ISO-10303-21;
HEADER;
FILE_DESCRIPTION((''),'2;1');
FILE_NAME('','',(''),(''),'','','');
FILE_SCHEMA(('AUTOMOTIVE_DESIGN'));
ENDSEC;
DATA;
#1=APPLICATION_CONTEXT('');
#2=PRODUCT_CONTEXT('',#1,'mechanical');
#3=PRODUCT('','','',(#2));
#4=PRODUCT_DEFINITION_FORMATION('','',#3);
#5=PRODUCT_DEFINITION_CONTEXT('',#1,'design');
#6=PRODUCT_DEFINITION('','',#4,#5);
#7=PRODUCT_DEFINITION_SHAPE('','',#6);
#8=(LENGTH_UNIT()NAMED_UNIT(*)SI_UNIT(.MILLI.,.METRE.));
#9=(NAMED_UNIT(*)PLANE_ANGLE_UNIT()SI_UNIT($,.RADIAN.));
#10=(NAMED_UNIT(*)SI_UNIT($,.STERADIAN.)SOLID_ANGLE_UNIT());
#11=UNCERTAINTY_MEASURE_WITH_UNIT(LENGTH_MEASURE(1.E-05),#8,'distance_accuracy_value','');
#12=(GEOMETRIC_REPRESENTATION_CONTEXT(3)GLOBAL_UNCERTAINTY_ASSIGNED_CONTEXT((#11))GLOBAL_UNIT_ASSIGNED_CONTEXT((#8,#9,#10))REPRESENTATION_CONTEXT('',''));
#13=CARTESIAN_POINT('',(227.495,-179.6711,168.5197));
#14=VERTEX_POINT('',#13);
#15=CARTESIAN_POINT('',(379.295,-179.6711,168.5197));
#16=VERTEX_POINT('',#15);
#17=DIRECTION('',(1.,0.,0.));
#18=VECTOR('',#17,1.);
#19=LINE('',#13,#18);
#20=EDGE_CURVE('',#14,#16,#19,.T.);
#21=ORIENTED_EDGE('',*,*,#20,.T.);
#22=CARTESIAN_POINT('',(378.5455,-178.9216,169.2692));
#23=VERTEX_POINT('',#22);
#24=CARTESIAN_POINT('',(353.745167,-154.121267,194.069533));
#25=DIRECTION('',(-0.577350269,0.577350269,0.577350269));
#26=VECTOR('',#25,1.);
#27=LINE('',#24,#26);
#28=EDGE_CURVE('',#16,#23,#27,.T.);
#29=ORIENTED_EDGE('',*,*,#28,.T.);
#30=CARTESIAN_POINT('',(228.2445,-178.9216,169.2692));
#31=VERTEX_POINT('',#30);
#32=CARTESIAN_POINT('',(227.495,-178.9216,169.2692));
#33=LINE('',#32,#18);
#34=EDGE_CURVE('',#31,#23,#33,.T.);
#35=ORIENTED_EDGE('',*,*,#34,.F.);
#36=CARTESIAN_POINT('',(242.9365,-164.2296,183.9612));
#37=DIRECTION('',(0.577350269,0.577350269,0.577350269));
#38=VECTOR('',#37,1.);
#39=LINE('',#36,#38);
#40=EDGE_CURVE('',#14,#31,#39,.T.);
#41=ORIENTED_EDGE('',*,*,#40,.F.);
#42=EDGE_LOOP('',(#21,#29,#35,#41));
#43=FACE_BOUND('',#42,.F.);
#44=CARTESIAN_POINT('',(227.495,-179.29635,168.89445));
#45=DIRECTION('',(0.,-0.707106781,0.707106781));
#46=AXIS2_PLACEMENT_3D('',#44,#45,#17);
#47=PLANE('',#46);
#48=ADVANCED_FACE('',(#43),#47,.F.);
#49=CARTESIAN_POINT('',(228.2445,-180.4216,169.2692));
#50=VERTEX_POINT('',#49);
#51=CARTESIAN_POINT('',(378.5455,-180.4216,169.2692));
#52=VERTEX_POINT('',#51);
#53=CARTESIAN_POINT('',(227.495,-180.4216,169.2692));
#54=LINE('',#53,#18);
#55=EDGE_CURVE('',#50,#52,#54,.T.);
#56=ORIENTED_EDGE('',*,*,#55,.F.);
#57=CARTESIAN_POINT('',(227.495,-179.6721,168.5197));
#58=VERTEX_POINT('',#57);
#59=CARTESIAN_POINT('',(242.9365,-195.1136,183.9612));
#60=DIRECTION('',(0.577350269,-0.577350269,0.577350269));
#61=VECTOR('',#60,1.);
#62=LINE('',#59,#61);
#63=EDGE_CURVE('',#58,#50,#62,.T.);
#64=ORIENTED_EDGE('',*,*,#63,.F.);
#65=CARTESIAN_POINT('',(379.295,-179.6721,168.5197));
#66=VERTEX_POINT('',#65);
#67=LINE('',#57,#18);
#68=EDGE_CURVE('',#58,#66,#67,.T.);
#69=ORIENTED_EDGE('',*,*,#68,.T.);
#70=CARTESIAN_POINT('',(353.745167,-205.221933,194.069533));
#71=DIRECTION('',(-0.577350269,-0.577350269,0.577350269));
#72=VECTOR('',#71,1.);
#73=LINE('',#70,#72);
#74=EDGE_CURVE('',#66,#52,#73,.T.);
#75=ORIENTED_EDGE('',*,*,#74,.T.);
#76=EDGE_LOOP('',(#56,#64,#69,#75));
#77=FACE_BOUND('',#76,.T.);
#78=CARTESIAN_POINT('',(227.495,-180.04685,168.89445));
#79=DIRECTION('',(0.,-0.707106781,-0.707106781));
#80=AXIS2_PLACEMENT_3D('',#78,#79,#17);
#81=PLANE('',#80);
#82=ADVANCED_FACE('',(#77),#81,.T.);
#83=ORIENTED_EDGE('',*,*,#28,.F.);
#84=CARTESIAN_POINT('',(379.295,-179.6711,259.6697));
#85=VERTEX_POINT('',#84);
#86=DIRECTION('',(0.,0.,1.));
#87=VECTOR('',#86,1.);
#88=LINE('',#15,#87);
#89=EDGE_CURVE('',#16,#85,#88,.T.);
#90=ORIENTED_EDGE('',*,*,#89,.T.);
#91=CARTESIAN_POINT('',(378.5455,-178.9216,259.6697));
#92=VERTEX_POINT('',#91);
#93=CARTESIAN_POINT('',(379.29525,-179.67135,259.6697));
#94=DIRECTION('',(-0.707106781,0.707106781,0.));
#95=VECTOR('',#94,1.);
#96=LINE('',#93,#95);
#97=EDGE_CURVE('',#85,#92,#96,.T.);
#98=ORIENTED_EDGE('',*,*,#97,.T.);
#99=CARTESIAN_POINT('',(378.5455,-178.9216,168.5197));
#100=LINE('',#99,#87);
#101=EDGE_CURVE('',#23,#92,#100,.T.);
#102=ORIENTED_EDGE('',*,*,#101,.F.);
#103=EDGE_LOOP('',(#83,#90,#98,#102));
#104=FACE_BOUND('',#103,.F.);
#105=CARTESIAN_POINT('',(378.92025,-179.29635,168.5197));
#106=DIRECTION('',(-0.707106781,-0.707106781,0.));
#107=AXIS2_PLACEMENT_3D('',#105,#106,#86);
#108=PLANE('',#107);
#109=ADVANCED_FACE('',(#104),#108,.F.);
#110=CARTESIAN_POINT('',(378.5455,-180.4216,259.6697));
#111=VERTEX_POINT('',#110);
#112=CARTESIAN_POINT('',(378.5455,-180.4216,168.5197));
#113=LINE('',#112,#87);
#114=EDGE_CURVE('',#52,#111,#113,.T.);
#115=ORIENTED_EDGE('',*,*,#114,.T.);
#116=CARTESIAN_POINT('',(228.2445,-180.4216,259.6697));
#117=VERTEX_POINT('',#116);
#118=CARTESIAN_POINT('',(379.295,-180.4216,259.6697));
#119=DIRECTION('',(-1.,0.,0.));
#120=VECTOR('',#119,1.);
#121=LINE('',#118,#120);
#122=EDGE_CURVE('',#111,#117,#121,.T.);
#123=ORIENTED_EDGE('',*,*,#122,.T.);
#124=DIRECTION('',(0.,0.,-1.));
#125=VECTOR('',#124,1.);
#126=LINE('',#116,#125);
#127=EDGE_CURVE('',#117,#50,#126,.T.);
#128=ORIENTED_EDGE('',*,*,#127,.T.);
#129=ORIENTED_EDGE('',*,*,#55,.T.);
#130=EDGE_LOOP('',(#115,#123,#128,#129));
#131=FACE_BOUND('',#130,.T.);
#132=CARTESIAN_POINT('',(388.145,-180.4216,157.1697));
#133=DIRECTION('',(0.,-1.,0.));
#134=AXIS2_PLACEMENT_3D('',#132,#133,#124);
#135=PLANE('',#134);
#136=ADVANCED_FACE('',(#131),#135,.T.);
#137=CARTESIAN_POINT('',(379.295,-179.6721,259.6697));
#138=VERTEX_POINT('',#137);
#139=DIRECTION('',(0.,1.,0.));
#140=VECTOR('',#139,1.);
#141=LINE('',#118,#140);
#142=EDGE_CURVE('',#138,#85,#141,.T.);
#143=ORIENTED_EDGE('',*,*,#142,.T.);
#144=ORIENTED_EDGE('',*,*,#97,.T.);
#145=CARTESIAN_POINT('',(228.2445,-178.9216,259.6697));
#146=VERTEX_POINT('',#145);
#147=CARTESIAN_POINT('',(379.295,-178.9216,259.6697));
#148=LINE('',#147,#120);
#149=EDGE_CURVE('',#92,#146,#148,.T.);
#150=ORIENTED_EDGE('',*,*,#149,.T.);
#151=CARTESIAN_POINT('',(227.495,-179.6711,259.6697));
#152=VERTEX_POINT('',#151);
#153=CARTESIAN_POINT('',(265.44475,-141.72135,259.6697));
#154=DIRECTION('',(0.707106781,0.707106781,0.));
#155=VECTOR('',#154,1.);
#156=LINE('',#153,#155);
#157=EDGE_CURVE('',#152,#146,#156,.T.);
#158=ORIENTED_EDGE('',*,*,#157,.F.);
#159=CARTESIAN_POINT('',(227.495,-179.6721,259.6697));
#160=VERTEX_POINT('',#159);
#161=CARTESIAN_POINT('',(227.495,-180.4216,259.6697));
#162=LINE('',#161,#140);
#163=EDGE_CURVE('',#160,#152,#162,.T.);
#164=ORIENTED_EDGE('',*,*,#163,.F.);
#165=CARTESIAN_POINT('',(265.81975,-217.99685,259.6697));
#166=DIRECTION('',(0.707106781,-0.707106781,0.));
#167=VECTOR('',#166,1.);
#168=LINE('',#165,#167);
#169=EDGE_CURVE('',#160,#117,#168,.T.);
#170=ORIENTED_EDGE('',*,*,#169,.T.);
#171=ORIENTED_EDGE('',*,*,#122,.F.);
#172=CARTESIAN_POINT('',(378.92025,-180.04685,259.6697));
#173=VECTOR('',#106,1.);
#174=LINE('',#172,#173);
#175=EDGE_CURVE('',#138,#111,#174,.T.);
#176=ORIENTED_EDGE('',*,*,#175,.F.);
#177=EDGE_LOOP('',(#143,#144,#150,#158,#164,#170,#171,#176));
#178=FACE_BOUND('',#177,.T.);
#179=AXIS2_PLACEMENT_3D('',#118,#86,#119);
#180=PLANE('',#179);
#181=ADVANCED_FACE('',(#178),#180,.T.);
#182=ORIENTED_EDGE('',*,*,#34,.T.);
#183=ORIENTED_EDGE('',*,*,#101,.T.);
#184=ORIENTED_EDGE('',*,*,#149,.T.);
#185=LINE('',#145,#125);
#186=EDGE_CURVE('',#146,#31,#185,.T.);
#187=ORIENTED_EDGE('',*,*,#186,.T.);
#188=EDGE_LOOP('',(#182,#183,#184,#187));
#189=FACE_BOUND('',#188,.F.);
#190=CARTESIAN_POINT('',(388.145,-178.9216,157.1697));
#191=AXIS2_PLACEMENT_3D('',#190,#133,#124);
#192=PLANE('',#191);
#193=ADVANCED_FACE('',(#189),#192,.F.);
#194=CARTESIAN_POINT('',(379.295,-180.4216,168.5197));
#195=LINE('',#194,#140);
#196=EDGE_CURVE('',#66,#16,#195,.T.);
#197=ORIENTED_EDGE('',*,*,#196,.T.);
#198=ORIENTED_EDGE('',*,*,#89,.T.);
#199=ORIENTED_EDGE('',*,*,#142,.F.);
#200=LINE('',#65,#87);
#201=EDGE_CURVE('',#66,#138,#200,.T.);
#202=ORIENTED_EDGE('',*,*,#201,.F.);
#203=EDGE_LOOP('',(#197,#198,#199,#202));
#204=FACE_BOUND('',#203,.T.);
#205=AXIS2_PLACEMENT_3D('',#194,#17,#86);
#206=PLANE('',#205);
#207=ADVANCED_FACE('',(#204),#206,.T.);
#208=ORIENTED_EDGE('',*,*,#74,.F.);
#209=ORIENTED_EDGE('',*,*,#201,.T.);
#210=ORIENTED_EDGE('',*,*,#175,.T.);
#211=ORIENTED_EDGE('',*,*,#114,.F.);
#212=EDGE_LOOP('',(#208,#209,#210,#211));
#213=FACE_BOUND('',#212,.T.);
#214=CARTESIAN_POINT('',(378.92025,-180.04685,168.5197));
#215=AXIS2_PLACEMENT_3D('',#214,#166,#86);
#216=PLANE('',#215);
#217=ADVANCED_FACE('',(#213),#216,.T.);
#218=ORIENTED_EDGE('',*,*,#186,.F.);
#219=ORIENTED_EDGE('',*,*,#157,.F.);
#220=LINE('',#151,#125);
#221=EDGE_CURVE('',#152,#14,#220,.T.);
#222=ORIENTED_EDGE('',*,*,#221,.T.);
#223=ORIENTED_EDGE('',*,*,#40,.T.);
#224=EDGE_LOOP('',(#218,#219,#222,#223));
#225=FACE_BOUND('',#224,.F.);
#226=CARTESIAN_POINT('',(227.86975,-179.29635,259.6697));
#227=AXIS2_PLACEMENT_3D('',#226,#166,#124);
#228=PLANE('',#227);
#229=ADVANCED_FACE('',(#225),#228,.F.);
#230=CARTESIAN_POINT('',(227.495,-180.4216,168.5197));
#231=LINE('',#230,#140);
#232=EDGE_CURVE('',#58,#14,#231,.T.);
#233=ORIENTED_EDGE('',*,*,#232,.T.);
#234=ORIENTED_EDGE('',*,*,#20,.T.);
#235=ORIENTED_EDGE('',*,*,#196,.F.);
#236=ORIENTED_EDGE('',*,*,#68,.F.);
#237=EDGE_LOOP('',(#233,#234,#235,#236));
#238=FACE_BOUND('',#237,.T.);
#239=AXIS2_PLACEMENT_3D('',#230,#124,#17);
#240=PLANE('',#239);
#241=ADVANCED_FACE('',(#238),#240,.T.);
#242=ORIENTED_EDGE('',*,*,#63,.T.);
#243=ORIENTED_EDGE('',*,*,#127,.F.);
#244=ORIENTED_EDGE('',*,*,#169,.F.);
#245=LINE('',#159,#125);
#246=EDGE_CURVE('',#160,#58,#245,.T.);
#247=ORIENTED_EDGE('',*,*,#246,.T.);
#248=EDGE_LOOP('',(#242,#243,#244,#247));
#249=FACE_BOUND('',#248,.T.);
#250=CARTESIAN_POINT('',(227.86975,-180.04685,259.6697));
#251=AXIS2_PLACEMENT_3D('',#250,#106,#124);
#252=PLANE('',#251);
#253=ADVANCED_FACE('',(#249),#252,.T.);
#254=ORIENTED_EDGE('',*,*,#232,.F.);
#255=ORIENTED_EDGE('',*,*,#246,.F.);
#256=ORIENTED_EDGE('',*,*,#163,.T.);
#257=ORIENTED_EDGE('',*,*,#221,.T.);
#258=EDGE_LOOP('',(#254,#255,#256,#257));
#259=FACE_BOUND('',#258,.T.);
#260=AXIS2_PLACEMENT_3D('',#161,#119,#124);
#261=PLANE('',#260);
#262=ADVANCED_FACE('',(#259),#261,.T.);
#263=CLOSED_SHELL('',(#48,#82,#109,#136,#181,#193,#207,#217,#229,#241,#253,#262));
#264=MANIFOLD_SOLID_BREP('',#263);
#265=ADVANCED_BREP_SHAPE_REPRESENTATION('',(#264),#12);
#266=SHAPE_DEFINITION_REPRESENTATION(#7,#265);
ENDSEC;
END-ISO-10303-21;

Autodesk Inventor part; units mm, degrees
ref_plane "YZ Plane" through (0, 0, 0) normal (1, 0, 0) x (0, 1, 0)
ref_plane "XZ Plane" through (0, 0, 0) normal (0, 1, 0) x (-1, 0, 0)
ref_plane "XY Plane" through (0, 0, 0) normal (0, 0, 1) x (1, 0, 0)
ref_plane "Arbeitsebene1" through (388.145, -180.4216, 157.1697) normal (0, -1, 0) x (0, 0, -1)
sketch "Skizze2" plane through (388.145, -180.4216, 157.1697) normal (0, -1, 0) x (0, 0, -1)
  line L0 (-139.4, -160.75) -> (-11.25, -160.75) construction
  line L1 (-139.4, -160.75) -> (-11.25, -160.75) construction
  line L2 (-11.25, -8.75) -> (-139.4, -8.75) construction
  line L3 (-11.25, -160.75) -> (-11.25, -8.75) construction
  line L4 (-102.5, -160) -> (-102.5, -9.5) construction
  line L5 (-102.5, -160.65) -> (-11.35, -160.65)
  line L6 (-11.35, -160.65) -> (-11.35, -8.85)
  line L7 (-11.35, -8.85) -> (-102.5, -8.85)
  line L8 (-102.5, -8.85) -> (-102.5, -160.65)
  point P0 (157.1697, -388.145)
  dimension "d7" = 0.1
  dimension "d8" = 0.1
  dimension "d9" = 0.1
extrude "Extrusion2" add sketch "Skizze2" against normal blind 1.5
chamfer "Fase2" distance 0.75 angle 45 6 edges at (227.495, -178.9216, 214.0947) (227.495, -180.4216, 214.0947) (303.395, -178.9216, 168.5197) (303.395, -180.4216, 168.5197) (379.295, -178.9216, 214.0947) (379.295, -180.4216, 214.0947)
equation "\"d7\" = d8"
equation "\"d9\" = d8"
properties part number "Zwischenplatt"
